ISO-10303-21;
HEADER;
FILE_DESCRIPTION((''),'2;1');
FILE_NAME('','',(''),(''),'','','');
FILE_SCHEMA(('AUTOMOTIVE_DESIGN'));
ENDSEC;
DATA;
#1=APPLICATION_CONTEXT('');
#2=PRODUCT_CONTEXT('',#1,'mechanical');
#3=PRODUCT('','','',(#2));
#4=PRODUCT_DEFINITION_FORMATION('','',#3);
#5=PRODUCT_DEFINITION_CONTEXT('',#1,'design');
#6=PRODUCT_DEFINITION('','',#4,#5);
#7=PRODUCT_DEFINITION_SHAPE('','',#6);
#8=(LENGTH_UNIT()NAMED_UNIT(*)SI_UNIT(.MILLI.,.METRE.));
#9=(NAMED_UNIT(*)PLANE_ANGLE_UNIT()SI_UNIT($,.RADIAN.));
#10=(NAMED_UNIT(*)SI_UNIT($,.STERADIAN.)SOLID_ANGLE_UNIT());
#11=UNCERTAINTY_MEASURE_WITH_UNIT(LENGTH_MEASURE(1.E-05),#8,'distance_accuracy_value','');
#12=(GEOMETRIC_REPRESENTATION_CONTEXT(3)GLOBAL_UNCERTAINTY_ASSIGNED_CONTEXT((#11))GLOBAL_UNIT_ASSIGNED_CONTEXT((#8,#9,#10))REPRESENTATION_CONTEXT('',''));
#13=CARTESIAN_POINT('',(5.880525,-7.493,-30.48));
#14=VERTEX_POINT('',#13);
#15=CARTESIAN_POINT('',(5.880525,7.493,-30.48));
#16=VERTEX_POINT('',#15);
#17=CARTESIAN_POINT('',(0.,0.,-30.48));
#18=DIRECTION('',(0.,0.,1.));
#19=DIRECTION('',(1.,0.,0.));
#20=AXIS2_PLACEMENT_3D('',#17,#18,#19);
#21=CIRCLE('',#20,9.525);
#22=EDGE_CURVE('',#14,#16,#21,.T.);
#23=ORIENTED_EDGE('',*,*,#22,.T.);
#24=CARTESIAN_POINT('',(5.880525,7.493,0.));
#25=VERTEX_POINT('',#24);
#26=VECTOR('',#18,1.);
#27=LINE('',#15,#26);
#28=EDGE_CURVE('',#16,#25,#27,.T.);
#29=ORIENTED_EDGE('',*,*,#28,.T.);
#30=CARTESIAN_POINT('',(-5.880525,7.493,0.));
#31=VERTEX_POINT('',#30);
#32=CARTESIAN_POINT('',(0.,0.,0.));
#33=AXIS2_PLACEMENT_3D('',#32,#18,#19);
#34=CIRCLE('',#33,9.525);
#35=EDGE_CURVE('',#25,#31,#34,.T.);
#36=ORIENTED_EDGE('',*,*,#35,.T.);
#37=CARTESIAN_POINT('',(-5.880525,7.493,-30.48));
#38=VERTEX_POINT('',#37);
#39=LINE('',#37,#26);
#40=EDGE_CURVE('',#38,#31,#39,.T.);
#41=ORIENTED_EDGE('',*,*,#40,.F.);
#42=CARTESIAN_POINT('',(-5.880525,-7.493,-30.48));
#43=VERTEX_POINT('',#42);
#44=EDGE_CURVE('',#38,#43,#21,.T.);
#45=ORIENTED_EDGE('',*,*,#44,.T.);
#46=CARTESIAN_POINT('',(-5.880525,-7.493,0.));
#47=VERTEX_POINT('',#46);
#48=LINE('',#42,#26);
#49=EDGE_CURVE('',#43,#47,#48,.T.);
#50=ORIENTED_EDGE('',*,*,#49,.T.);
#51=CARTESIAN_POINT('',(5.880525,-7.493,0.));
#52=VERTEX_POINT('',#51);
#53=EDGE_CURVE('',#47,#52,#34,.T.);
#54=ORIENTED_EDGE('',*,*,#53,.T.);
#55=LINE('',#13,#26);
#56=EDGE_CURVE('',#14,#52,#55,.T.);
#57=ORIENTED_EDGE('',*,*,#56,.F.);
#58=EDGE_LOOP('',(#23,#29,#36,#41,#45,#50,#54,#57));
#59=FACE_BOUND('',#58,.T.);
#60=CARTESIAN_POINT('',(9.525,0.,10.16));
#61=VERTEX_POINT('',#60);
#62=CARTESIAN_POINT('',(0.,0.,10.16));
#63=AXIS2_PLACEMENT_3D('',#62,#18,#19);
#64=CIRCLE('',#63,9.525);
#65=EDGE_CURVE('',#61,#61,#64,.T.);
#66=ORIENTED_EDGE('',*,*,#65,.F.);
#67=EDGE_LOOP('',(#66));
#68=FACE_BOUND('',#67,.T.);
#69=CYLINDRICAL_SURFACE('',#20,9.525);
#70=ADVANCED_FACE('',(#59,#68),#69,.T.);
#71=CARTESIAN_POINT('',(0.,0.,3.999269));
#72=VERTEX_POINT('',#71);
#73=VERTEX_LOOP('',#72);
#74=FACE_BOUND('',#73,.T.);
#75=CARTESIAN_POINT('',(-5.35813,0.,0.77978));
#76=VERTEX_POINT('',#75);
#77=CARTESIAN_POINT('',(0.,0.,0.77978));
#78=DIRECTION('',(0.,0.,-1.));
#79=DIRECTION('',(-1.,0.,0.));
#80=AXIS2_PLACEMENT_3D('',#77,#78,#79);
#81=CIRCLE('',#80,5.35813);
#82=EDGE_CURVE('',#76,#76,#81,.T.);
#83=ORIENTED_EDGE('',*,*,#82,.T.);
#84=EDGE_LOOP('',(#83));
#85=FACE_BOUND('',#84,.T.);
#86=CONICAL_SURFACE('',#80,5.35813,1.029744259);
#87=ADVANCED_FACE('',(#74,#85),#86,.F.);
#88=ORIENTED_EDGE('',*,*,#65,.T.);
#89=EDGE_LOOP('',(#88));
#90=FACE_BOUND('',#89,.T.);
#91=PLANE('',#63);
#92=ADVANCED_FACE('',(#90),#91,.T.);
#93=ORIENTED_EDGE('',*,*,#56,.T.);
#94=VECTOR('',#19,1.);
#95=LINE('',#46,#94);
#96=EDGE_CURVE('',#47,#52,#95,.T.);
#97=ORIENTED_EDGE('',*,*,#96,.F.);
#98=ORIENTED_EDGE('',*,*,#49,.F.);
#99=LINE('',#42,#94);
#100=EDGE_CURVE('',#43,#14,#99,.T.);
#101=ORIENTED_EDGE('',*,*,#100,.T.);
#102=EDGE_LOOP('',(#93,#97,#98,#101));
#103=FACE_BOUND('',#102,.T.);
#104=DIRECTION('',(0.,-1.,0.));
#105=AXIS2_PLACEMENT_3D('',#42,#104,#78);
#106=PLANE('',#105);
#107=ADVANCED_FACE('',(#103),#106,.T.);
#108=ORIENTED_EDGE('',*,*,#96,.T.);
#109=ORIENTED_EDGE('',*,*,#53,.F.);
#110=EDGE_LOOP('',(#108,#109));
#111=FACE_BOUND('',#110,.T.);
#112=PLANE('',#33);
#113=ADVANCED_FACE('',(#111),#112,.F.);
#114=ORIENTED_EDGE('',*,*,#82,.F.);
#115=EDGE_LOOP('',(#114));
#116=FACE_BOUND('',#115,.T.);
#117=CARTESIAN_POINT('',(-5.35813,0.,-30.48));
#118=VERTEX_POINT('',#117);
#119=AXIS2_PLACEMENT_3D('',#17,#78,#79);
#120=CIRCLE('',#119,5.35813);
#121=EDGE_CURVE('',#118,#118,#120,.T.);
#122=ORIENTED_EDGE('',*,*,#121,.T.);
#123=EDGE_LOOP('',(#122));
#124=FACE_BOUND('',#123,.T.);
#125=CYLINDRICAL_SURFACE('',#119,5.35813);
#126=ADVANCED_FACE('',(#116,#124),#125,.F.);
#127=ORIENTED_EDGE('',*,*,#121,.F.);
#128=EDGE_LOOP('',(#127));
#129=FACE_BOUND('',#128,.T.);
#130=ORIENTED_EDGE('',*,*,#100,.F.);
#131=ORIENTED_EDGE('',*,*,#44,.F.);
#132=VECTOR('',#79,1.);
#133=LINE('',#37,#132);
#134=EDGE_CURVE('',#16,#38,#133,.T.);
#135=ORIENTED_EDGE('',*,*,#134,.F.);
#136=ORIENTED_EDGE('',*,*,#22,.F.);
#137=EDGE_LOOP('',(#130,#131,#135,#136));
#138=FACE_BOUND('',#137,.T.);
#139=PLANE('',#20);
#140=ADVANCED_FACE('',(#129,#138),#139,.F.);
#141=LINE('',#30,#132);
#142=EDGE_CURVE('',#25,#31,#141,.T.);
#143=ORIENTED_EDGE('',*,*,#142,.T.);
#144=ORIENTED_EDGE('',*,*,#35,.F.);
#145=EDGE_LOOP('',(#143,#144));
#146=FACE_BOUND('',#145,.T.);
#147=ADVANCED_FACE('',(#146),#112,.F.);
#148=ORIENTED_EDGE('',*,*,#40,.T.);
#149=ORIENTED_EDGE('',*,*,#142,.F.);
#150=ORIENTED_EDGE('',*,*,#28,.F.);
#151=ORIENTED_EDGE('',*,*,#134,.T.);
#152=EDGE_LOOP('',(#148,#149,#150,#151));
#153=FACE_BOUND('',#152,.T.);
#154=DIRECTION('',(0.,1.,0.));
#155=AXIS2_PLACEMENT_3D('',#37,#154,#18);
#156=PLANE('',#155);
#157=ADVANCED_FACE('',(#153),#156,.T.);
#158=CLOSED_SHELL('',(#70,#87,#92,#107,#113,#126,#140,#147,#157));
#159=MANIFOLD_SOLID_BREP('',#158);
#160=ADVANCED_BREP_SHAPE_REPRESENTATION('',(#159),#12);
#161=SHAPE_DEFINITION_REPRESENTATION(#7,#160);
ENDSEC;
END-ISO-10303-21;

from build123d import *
from build123d.topology import SkipClean

# Parameters (mm, degrees)
EXTRUDE1_DEPTH              = 30.48
EXTRUDE2_START              = 25.4
SKETCH2_R                   = 9.525
EXTRUDE2_DEPTH              = 25.4
F_1_2_13_TAPPED_HOLE1_D     = 10.71626
F_1_2_13_TAPPED_HOLE1_DEPTH = 31.25978
F_1_2_13_TAPPED_HOLE1_TIP   = 3.219489309
SKETCH6_R                   = 9.525
CUT_EXTRUDE1_DEPTH          = 15.24


with BuildPart() as part:
    # Sketch1 → Extrude1 (new body)
    with BuildSketch(Plane.XY):
        with BuildLine():
            Line((-5.880525147, 7.493), (5.880525147, 7.493))
            ThreePointArc((5.880525147, 7.493), (9.525, 0), (5.880525147, -7.493))
            Line((5.880525147, -7.493), (-5.880525147, -7.493))
            ThreePointArc((-5.880525147, -7.493), (-9.525, 0), (-5.880525147, 7.493))
        make_face()
    extrude(amount=-EXTRUDE1_DEPTH)

    # Sketch2 → Extrude2 (add)
    with SkipClean():  # the faces are left unmerged after this step: merging them gives an invalid solid
        with BuildSketch(Plane.XY.offset(EXTRUDE2_START)):
            Circle(SKETCH2_R)
        extrude(amount=-EXTRUDE2_DEPTH)

    # 1/2-13 Tapped Hole1
    with Locations(Plane(origin=(0, 0, -30.48), x_dir=(-1, 0, 0), z_dir=(0, 0, -1))):
        with Locations((0, 0)):
            Hole(F_1_2_13_TAPPED_HOLE1_D / 2, depth=F_1_2_13_TAPPED_HOLE1_DEPTH)
            with Locations((0, 0, -(F_1_2_13_TAPPED_HOLE1_DEPTH + F_1_2_13_TAPPED_HOLE1_TIP / 2))):  # 118° drill point
                Cone(0, F_1_2_13_TAPPED_HOLE1_D / 2, F_1_2_13_TAPPED_HOLE1_TIP, mode=Mode.SUBTRACT)

    # Sketch6 → Cut-Extrude1 (cut)
    with SkipClean():  # the faces are left unmerged after this step: merging them gives an invalid solid
        with BuildSketch(Plane.XY.offset(25.4)):
            Circle(SKETCH6_R)
        extrude(amount=-CUT_EXTRUDE1_DEPTH, mode=Mode.SUBTRACT)


solid = part.part
